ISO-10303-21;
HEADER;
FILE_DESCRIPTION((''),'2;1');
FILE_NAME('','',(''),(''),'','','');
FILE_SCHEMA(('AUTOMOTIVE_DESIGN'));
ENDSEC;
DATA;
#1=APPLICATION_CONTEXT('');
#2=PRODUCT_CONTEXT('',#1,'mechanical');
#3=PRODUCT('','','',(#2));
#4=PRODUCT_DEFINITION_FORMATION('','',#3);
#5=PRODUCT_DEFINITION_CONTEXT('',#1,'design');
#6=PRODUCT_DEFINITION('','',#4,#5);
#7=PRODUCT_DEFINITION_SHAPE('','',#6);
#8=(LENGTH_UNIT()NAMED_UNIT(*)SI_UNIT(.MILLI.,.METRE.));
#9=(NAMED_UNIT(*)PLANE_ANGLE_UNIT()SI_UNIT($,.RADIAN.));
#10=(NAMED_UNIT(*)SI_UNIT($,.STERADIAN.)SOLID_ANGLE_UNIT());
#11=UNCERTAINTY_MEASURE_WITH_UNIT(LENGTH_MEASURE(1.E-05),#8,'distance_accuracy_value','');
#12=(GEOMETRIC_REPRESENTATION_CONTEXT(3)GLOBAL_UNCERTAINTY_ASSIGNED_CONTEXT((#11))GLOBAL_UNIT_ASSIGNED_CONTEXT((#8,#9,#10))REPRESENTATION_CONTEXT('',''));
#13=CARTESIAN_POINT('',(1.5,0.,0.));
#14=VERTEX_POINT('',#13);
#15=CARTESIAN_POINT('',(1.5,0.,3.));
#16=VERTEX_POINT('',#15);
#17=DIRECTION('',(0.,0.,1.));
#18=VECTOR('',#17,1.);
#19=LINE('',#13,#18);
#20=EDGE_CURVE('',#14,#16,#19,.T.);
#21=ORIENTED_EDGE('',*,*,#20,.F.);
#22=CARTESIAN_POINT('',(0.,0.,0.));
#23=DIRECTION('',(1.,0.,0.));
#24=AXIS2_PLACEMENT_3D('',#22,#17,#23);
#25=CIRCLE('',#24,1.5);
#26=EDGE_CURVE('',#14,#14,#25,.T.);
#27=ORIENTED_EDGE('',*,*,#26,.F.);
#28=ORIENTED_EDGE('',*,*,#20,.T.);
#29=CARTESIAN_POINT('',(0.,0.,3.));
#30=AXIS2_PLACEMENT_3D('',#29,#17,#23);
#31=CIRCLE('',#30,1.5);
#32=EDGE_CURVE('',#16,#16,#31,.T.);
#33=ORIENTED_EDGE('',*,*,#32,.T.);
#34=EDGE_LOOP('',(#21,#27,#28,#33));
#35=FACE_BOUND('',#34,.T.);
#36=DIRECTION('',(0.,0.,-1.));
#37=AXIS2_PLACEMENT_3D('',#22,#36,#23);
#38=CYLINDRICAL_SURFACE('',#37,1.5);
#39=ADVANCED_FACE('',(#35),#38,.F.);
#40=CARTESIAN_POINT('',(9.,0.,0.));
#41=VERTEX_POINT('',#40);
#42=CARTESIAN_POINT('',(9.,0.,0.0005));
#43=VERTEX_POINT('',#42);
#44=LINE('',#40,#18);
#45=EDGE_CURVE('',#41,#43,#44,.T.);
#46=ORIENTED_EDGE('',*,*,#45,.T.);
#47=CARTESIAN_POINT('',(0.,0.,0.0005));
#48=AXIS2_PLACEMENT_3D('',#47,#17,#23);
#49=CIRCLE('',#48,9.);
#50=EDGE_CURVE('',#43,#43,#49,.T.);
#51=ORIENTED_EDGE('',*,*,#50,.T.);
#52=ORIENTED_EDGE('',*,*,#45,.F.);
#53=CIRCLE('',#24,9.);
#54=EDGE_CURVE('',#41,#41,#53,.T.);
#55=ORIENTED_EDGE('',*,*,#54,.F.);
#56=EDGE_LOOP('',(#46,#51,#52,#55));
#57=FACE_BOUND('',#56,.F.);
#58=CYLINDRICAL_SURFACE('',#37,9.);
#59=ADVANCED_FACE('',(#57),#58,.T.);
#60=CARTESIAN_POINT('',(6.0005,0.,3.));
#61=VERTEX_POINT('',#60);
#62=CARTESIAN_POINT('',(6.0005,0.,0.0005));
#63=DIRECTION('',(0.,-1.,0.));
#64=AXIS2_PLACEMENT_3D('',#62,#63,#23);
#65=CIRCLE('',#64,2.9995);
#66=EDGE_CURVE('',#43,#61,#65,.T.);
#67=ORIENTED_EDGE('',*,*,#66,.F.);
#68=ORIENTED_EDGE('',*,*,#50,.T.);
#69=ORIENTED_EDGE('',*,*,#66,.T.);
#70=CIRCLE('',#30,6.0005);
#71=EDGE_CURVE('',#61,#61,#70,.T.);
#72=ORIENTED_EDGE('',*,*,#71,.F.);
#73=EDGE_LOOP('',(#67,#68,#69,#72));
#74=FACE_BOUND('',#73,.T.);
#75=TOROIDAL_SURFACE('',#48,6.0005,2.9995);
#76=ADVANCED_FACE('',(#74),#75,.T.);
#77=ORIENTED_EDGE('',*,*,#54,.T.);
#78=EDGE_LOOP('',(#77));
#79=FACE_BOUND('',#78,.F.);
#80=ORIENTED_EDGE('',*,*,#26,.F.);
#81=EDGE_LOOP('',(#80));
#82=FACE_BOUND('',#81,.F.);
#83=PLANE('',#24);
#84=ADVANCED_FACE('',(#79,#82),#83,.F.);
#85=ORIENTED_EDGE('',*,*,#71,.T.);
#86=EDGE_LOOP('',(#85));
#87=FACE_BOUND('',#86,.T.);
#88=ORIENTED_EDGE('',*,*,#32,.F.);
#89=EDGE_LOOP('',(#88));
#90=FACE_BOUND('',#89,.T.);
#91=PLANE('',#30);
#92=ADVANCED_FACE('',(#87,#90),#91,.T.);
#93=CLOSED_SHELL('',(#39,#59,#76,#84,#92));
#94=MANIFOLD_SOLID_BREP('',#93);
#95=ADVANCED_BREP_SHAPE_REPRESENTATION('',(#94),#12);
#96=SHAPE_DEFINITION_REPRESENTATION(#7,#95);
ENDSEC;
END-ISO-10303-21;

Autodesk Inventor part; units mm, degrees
ref_plane "YZ Plane" through (0, 0, 0) normal (1, 0, 0) x (0, 1, 0)
ref_plane "XZ Plane" through (0, 0, 0) normal (0, 1, 0) x (-1, 0, 0)
ref_plane "XY Plane" through (0, 0, 0) normal (0, 0, 1) x (1, 0, 0)
sketch "Esboço1" plane through (0, 0, 0) normal (0, 0, 1) x (1, 0, 0)
  circle A0 centre (0, 0) radius 9
  circle A1 centre (0, 0) radius 1.5
  dimension "d0" = 18
  dimension "d3" = 3
extrude "Extrusão1" add sketch "Esboço1" along normal blind 3
fillet "Arredondamento1" radius 3 1 edges at (-9, 0, 3)
properties part number "arruela"
